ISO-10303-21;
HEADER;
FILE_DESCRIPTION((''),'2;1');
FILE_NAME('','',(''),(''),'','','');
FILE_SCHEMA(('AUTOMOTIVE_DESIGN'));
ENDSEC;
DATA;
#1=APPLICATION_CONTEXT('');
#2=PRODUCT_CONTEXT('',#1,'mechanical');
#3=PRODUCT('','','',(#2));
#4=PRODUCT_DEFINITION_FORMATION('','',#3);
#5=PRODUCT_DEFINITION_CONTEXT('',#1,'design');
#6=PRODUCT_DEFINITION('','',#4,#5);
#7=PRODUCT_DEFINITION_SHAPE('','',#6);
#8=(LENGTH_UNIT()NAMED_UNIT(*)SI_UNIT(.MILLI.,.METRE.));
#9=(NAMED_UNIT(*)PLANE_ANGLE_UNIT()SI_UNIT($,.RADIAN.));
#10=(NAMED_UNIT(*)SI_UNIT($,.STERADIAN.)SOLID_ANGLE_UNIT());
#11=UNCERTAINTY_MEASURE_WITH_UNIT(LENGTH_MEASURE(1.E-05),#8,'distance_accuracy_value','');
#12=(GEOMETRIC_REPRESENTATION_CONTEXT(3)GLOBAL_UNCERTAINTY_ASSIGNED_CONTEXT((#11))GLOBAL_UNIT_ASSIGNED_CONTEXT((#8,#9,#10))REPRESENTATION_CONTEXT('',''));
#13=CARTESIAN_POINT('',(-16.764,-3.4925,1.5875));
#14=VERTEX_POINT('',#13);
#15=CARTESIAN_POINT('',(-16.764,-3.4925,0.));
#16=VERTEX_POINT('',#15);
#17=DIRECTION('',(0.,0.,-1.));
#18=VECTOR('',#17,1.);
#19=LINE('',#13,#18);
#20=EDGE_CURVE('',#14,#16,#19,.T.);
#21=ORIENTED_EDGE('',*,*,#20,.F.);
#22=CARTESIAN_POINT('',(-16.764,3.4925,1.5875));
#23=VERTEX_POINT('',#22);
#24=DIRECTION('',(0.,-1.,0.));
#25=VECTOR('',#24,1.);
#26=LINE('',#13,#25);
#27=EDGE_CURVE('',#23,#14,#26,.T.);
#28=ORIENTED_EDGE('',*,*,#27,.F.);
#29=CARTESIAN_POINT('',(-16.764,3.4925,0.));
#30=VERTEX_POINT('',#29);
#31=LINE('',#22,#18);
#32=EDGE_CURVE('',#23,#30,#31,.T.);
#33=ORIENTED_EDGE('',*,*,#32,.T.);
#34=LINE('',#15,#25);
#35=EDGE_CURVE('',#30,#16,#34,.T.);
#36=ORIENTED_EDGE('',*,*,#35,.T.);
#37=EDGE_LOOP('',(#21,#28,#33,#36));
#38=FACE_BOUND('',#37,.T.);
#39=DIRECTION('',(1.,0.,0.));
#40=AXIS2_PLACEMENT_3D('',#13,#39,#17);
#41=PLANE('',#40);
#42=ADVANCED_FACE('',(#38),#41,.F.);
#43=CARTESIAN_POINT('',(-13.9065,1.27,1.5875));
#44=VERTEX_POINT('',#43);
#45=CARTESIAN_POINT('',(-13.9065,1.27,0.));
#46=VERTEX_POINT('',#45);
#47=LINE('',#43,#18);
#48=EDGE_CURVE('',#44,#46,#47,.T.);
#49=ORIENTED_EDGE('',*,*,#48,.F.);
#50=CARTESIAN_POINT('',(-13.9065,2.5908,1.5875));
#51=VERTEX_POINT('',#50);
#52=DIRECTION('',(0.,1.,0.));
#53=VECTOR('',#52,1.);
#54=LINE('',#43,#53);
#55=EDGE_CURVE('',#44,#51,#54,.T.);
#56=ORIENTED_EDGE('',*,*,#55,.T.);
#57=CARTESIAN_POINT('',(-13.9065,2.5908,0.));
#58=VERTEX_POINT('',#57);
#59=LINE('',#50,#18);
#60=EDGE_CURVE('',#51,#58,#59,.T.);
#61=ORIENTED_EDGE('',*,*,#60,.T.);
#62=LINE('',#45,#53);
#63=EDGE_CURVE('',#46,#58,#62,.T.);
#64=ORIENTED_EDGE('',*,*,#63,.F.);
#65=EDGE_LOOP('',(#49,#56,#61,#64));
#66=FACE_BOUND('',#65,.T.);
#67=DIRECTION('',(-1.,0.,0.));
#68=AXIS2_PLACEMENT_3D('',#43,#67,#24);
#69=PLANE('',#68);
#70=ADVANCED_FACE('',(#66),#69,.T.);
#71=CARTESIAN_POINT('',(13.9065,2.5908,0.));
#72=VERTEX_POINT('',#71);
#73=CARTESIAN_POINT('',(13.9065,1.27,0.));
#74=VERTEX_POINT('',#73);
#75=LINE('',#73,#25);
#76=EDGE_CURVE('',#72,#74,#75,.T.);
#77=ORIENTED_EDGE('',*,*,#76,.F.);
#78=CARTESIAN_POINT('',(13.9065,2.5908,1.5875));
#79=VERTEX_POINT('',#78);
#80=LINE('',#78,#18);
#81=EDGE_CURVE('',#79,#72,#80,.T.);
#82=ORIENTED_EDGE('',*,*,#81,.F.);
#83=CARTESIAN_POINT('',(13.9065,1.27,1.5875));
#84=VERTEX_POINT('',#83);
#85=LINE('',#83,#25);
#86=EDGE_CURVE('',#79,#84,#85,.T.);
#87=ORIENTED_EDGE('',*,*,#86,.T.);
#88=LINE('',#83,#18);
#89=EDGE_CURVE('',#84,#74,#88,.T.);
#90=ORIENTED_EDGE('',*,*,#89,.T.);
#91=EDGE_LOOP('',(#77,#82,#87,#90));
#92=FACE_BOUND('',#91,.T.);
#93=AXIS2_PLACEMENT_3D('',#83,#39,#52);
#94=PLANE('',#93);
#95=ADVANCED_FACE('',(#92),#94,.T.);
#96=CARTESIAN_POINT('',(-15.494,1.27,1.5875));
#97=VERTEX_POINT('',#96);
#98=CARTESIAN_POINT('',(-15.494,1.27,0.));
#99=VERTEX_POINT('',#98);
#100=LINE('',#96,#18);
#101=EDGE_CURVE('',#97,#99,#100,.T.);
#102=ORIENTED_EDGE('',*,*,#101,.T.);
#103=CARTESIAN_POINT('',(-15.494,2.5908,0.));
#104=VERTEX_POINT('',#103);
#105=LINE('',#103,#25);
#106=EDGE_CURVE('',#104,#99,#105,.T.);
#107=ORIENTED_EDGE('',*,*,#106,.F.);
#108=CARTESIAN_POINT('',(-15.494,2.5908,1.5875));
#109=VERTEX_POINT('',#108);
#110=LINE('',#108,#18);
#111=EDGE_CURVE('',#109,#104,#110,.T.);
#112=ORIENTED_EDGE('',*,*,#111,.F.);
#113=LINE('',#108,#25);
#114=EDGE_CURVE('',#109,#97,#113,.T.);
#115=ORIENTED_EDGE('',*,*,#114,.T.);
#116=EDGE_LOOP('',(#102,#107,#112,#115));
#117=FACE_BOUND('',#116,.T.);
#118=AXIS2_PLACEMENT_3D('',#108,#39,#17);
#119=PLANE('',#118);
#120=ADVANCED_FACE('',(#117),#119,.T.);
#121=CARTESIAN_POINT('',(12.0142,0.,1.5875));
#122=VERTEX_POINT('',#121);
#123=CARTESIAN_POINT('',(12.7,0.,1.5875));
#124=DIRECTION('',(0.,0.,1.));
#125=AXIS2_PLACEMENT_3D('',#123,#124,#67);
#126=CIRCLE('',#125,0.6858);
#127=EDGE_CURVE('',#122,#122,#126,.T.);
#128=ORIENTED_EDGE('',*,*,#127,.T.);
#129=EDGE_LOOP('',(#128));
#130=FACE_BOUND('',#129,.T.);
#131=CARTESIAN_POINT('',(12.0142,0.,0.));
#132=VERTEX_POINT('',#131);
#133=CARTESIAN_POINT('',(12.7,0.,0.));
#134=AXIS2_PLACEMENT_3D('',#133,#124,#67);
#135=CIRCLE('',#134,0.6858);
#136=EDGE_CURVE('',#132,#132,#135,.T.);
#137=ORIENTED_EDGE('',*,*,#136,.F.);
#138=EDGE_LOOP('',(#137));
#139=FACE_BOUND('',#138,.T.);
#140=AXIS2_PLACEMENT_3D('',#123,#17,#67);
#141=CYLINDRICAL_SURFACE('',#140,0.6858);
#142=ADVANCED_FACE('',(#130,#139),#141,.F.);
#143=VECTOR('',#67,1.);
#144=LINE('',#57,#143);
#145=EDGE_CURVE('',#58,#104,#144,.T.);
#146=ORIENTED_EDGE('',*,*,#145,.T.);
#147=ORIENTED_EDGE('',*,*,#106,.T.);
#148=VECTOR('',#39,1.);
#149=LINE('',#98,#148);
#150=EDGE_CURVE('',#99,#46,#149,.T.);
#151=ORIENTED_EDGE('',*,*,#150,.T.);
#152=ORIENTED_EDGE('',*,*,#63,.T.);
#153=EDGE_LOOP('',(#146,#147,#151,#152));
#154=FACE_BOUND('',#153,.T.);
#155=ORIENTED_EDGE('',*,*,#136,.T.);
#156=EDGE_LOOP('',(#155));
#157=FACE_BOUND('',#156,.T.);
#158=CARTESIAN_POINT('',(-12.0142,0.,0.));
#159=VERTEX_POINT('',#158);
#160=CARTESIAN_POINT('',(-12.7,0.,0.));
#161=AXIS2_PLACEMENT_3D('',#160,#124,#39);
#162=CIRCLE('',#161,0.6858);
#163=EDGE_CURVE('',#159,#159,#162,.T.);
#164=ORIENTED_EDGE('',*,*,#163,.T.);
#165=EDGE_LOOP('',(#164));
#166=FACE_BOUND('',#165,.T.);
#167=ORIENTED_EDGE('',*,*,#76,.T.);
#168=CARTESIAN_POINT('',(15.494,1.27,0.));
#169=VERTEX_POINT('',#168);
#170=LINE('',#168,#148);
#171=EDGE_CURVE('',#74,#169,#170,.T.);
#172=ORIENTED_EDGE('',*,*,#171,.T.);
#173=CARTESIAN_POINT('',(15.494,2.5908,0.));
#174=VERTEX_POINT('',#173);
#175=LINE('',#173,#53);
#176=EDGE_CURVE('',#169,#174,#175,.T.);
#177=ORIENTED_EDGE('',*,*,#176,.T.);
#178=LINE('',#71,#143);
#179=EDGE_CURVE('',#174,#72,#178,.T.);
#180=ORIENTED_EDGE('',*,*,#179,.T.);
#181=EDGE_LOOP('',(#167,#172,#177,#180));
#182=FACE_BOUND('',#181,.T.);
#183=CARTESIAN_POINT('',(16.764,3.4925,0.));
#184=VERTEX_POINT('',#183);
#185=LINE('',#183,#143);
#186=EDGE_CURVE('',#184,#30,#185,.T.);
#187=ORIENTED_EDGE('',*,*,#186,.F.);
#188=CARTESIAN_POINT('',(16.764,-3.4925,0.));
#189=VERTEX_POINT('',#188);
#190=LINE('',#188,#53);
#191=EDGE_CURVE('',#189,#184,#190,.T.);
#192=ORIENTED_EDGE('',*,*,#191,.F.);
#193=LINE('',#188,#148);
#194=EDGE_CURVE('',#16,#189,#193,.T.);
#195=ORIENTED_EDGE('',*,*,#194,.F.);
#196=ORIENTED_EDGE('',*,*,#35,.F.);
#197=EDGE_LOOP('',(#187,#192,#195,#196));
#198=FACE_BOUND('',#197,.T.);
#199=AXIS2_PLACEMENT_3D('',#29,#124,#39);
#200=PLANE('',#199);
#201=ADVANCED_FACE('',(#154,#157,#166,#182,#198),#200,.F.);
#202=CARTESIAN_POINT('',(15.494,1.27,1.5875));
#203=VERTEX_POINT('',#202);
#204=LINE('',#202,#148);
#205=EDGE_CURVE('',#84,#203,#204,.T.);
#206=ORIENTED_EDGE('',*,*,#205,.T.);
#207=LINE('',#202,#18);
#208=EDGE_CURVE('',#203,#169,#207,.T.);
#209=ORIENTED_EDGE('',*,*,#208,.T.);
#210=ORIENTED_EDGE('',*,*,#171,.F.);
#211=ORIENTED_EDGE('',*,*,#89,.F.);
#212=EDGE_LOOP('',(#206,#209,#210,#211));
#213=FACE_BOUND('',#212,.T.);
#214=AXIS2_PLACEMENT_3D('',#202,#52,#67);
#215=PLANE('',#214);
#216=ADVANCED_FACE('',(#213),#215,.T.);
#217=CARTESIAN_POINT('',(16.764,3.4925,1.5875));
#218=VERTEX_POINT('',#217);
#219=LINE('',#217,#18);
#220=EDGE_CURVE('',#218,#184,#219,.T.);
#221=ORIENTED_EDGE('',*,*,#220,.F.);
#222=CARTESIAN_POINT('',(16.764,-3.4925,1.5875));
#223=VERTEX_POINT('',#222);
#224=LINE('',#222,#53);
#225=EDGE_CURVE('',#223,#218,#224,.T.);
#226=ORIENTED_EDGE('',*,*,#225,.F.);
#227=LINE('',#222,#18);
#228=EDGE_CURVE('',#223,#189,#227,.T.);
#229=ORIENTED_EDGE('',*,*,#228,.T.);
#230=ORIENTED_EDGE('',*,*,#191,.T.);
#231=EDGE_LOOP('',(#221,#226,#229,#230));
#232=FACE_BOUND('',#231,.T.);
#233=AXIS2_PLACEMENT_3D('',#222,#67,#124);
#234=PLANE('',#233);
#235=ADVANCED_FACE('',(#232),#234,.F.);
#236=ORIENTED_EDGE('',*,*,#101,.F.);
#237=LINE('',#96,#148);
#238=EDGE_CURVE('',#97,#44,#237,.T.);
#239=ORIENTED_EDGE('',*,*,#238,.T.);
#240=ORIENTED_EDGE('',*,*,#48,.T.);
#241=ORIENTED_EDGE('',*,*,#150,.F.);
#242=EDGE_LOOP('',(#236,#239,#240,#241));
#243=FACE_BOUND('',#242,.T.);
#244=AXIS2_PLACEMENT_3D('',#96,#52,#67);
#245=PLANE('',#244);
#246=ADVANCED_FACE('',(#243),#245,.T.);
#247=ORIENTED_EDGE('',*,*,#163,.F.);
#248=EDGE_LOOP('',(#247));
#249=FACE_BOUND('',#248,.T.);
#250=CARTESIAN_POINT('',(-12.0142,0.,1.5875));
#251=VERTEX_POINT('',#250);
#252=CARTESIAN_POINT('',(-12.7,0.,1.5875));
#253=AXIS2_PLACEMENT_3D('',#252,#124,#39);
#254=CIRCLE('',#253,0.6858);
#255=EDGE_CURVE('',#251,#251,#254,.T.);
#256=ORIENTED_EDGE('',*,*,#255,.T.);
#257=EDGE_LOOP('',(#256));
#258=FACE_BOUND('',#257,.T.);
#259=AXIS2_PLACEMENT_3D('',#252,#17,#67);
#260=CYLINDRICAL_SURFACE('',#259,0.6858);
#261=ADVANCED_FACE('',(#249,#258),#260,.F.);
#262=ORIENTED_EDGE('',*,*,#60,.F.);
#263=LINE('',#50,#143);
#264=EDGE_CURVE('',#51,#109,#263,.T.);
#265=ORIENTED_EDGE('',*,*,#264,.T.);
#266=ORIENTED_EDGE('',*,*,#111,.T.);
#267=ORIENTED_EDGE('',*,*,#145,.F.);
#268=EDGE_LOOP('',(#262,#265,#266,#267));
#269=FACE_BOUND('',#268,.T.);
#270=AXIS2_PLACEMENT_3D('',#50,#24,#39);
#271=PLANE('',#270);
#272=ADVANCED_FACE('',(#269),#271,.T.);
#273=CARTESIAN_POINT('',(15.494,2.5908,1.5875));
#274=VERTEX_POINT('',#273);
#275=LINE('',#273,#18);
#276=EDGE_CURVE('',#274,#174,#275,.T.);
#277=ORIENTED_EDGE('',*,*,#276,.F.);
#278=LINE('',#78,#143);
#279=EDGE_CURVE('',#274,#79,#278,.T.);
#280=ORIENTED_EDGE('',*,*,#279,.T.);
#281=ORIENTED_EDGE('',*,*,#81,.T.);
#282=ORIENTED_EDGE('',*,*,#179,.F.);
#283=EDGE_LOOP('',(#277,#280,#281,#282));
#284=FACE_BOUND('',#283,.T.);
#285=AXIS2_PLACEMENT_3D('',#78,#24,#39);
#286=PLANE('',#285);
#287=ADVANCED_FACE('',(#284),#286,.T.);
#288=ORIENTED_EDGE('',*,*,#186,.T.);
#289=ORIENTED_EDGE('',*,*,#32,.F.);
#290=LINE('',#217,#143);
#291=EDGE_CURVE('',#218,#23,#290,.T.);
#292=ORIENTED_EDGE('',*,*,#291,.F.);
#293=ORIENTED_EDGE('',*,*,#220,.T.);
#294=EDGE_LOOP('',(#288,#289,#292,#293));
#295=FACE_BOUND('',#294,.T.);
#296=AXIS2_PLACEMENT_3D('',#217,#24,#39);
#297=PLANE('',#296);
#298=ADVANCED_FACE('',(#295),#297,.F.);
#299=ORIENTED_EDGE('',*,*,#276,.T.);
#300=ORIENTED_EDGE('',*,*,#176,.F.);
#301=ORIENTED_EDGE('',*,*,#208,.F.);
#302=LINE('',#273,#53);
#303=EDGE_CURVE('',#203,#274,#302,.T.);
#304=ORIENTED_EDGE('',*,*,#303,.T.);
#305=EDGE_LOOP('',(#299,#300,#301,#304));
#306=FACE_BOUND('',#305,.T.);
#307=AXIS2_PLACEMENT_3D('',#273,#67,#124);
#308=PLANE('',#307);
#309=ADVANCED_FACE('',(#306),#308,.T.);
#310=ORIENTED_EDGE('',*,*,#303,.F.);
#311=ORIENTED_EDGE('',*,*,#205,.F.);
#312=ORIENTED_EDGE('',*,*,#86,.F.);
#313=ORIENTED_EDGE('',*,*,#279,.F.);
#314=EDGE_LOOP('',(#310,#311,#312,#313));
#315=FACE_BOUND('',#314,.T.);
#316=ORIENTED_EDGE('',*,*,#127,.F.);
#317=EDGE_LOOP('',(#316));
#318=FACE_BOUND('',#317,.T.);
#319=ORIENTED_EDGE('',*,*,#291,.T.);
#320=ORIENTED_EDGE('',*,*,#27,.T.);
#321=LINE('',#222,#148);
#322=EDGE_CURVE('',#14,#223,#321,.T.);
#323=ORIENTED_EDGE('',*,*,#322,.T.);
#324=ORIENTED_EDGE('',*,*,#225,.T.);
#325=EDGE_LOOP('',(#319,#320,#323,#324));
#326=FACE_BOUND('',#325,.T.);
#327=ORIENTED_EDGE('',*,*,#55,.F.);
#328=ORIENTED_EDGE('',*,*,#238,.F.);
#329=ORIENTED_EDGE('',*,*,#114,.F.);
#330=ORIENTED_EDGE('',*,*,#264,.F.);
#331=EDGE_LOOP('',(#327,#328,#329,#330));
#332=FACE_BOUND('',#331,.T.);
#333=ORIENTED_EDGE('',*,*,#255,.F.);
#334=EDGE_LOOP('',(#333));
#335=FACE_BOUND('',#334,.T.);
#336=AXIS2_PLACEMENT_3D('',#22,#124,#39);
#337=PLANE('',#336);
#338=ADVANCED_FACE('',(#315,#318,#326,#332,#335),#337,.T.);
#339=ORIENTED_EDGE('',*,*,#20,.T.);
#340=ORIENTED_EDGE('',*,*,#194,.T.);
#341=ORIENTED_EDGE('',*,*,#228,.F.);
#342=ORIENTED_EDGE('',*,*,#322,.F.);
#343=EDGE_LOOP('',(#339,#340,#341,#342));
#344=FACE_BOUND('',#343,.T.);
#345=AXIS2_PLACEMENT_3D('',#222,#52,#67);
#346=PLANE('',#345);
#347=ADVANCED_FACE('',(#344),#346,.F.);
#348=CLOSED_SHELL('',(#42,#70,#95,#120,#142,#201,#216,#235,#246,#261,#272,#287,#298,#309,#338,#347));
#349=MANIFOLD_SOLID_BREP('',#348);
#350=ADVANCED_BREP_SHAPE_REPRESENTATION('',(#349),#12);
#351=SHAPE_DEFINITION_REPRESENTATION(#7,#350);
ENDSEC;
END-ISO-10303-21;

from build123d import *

# Parameters (mm, degrees)
SKETCH1_W           = 33.528
SKETCH1_H           = 6.985
SKETCH1_R           = 0.6858
SKETCH1_W_2         = 1.5875
SKETCH1_H_2         = 1.3208
BOSS_EXTRUDE1_DEPTH = 1.5875


with BuildPart() as part:
    # Sketch1 → Boss-Extrude1 (new body)
    with BuildSketch(Plane.XY):
        Rectangle(SKETCH1_W, SKETCH1_H)
        with Locations((-12.7, 0)):
            Circle(SKETCH1_R, mode=Mode.SUBTRACT)
        with Locations(Location((12.7, 0, 0), (0, 0, 180))):
            Circle(SKETCH1_R, mode=Mode.SUBTRACT)
        with Locations((14.70025, 1.9304)):
            Rectangle(SKETCH1_W_2, SKETCH1_H_2, mode=Mode.SUBTRACT)
        with Locations((-14.70025, 1.9304)):
            Rectangle(SKETCH1_W_2, SKETCH1_H_2, mode=Mode.SUBTRACT)
    extrude(amount=BOSS_EXTRUDE1_DEPTH)


solid = part.part
